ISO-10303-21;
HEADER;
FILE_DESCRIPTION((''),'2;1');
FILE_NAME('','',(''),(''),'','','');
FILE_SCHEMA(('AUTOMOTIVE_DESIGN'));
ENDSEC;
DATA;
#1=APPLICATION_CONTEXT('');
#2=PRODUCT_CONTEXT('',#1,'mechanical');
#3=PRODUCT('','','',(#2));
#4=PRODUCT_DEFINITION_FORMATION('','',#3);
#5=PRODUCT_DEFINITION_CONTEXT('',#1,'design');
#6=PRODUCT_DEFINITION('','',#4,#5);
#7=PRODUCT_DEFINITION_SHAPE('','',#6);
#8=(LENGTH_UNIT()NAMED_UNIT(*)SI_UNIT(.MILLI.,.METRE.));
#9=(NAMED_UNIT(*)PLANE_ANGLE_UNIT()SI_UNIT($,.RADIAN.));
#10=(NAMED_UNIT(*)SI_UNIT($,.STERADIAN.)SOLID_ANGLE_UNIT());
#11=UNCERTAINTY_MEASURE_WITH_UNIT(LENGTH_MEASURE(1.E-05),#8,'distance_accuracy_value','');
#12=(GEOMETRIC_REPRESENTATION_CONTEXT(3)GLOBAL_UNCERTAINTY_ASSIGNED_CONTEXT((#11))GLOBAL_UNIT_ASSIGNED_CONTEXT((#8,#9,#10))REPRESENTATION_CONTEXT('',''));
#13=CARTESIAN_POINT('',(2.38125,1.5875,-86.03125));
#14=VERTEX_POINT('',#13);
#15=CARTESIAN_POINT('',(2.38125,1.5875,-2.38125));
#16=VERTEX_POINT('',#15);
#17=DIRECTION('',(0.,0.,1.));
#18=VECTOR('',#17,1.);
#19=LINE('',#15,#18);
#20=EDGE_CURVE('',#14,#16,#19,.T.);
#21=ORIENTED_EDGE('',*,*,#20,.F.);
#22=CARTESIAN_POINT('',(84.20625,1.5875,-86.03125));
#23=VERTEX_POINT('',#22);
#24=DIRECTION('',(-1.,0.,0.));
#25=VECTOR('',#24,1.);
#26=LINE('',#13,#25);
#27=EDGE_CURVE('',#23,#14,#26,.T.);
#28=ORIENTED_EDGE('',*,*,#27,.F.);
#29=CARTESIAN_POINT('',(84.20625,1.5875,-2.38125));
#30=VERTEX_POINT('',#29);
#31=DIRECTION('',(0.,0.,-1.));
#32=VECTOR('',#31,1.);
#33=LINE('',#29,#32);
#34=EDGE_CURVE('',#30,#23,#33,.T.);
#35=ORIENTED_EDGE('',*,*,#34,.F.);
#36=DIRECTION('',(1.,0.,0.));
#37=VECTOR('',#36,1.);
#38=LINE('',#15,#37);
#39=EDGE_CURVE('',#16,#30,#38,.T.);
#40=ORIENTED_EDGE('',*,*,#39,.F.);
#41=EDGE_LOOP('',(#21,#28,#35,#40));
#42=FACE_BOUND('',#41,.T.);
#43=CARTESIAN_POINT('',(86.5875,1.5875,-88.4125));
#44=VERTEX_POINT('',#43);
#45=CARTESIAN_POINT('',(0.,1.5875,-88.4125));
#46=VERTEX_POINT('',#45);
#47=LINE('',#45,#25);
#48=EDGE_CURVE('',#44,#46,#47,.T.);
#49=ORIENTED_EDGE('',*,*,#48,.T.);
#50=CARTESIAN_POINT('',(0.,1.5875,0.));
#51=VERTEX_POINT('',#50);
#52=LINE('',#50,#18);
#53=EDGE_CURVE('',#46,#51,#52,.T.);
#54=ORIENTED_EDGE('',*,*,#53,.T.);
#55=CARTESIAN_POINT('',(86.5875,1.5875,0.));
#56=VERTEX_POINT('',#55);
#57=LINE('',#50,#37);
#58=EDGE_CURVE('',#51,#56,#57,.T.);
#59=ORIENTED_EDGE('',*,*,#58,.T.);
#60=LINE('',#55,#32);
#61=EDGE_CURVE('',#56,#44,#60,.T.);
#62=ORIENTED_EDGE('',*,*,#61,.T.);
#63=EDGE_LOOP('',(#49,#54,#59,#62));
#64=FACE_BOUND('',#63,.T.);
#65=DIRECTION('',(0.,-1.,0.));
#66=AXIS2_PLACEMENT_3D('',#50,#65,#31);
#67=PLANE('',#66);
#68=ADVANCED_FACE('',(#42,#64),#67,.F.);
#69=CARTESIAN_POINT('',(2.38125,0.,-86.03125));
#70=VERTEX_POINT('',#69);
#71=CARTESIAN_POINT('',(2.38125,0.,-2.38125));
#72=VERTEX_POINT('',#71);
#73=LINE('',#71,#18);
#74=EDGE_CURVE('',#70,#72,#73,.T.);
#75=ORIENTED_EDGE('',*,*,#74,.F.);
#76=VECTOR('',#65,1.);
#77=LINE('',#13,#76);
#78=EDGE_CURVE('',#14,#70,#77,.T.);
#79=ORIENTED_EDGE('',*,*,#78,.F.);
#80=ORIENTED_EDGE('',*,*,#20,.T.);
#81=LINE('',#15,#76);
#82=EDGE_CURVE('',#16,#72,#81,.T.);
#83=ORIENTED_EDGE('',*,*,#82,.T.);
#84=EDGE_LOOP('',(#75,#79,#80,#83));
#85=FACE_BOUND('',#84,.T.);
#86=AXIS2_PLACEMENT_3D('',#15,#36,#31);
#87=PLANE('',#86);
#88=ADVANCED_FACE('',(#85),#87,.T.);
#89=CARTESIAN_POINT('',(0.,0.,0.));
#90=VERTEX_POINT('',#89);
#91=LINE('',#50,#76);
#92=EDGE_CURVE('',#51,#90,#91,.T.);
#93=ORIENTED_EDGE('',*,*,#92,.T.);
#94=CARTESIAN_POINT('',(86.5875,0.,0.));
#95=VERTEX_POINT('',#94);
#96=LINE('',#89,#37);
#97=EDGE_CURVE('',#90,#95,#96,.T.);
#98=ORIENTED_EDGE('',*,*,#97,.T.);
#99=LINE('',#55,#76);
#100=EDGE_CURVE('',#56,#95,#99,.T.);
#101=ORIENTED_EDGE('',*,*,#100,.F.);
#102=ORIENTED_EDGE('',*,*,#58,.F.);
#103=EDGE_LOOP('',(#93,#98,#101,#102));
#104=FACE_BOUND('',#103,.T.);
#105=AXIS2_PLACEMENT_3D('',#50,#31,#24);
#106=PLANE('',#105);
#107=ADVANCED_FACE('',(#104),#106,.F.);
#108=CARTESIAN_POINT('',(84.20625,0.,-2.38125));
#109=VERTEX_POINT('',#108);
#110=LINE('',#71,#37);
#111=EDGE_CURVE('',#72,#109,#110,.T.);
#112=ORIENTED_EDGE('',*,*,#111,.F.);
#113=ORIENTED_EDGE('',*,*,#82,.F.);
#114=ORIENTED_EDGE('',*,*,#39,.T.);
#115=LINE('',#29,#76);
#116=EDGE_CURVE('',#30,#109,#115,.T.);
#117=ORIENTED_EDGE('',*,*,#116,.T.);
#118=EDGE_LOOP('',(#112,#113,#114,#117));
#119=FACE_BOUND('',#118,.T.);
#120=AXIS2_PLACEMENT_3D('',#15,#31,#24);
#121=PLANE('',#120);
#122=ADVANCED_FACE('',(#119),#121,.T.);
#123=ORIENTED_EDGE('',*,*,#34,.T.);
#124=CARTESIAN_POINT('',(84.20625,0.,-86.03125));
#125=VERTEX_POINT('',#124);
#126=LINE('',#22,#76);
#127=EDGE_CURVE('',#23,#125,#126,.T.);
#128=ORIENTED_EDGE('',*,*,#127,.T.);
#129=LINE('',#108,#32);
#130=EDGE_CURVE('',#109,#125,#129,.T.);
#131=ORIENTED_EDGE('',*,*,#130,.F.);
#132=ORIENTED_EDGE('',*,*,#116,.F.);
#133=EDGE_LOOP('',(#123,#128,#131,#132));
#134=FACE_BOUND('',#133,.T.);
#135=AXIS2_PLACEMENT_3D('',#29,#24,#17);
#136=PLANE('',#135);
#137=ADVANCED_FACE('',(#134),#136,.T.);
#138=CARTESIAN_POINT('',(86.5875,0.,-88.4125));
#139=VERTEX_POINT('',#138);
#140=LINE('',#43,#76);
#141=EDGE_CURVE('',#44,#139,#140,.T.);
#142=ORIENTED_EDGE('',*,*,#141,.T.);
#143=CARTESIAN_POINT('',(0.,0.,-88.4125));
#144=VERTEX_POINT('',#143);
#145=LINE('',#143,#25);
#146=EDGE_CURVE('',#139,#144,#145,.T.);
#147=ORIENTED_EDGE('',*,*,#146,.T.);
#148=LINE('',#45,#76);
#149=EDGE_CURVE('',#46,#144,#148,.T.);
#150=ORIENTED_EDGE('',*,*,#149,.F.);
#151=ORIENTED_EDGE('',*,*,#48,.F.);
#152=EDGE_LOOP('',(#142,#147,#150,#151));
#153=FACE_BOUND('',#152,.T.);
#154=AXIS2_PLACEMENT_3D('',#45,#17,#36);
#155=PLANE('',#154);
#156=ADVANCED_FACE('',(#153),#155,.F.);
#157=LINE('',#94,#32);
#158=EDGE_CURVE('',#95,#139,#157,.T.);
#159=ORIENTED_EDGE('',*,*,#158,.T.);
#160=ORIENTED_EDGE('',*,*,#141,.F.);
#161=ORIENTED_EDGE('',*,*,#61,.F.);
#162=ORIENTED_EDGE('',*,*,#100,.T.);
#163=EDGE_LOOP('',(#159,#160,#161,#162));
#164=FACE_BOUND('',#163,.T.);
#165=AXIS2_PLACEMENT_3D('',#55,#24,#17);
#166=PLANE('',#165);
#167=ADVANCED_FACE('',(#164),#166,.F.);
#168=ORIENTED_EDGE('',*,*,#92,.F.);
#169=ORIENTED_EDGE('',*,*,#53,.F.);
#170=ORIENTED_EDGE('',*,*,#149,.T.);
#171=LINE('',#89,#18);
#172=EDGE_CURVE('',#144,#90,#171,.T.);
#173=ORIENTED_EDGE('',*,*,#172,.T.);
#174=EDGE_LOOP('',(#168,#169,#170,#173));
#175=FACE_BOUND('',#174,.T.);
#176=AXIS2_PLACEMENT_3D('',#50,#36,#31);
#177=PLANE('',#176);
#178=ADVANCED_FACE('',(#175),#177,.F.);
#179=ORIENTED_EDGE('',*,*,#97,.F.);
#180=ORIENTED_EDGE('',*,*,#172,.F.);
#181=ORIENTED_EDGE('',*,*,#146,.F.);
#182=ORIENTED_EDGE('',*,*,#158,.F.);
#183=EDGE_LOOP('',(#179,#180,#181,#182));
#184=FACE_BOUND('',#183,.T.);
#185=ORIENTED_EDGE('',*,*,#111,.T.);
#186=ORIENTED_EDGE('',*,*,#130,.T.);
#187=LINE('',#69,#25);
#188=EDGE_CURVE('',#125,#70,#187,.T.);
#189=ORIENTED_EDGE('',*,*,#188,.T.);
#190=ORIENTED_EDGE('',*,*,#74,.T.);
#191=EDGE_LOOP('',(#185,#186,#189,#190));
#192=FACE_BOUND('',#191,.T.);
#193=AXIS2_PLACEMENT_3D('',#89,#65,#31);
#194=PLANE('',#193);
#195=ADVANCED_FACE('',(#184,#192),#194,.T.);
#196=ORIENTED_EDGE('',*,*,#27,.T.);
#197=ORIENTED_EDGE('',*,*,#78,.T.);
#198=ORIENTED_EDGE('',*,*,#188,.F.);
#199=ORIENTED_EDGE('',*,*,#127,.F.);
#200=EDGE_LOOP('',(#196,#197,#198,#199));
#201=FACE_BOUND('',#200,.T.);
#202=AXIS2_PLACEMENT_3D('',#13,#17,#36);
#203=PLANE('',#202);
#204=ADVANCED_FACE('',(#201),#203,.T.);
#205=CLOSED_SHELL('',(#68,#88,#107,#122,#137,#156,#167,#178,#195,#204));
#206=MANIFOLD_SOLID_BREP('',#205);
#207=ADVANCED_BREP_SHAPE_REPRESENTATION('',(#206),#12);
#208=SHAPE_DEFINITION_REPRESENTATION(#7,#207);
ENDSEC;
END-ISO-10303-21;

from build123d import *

# Parameters (mm, degrees)
SKETCH1_W           = 86.5875
SKETCH1_H           = 88.4125
SKETCH1_W_2         = 81.825
SKETCH1_H_2         = 83.65
BOSS_EXTRUDE1_DEPTH = 1.5875


with BuildPart() as part:
    # Sketch1 → Boss-Extrude1 (new body)
    with BuildSketch(Plane(origin=(0, 0, 0), x_dir=(1, 0, 0), z_dir=(0, 1, 0))):
        with Locations((43.29375, 44.20625)):
            Rectangle(SKETCH1_W, SKETCH1_H)
        with Locations((43.29375, 44.20625)):
            Rectangle(SKETCH1_W_2, SKETCH1_H_2, mode=Mode.SUBTRACT)
    extrude(amount=BOSS_EXTRUDE1_DEPTH)


solid = part.part
